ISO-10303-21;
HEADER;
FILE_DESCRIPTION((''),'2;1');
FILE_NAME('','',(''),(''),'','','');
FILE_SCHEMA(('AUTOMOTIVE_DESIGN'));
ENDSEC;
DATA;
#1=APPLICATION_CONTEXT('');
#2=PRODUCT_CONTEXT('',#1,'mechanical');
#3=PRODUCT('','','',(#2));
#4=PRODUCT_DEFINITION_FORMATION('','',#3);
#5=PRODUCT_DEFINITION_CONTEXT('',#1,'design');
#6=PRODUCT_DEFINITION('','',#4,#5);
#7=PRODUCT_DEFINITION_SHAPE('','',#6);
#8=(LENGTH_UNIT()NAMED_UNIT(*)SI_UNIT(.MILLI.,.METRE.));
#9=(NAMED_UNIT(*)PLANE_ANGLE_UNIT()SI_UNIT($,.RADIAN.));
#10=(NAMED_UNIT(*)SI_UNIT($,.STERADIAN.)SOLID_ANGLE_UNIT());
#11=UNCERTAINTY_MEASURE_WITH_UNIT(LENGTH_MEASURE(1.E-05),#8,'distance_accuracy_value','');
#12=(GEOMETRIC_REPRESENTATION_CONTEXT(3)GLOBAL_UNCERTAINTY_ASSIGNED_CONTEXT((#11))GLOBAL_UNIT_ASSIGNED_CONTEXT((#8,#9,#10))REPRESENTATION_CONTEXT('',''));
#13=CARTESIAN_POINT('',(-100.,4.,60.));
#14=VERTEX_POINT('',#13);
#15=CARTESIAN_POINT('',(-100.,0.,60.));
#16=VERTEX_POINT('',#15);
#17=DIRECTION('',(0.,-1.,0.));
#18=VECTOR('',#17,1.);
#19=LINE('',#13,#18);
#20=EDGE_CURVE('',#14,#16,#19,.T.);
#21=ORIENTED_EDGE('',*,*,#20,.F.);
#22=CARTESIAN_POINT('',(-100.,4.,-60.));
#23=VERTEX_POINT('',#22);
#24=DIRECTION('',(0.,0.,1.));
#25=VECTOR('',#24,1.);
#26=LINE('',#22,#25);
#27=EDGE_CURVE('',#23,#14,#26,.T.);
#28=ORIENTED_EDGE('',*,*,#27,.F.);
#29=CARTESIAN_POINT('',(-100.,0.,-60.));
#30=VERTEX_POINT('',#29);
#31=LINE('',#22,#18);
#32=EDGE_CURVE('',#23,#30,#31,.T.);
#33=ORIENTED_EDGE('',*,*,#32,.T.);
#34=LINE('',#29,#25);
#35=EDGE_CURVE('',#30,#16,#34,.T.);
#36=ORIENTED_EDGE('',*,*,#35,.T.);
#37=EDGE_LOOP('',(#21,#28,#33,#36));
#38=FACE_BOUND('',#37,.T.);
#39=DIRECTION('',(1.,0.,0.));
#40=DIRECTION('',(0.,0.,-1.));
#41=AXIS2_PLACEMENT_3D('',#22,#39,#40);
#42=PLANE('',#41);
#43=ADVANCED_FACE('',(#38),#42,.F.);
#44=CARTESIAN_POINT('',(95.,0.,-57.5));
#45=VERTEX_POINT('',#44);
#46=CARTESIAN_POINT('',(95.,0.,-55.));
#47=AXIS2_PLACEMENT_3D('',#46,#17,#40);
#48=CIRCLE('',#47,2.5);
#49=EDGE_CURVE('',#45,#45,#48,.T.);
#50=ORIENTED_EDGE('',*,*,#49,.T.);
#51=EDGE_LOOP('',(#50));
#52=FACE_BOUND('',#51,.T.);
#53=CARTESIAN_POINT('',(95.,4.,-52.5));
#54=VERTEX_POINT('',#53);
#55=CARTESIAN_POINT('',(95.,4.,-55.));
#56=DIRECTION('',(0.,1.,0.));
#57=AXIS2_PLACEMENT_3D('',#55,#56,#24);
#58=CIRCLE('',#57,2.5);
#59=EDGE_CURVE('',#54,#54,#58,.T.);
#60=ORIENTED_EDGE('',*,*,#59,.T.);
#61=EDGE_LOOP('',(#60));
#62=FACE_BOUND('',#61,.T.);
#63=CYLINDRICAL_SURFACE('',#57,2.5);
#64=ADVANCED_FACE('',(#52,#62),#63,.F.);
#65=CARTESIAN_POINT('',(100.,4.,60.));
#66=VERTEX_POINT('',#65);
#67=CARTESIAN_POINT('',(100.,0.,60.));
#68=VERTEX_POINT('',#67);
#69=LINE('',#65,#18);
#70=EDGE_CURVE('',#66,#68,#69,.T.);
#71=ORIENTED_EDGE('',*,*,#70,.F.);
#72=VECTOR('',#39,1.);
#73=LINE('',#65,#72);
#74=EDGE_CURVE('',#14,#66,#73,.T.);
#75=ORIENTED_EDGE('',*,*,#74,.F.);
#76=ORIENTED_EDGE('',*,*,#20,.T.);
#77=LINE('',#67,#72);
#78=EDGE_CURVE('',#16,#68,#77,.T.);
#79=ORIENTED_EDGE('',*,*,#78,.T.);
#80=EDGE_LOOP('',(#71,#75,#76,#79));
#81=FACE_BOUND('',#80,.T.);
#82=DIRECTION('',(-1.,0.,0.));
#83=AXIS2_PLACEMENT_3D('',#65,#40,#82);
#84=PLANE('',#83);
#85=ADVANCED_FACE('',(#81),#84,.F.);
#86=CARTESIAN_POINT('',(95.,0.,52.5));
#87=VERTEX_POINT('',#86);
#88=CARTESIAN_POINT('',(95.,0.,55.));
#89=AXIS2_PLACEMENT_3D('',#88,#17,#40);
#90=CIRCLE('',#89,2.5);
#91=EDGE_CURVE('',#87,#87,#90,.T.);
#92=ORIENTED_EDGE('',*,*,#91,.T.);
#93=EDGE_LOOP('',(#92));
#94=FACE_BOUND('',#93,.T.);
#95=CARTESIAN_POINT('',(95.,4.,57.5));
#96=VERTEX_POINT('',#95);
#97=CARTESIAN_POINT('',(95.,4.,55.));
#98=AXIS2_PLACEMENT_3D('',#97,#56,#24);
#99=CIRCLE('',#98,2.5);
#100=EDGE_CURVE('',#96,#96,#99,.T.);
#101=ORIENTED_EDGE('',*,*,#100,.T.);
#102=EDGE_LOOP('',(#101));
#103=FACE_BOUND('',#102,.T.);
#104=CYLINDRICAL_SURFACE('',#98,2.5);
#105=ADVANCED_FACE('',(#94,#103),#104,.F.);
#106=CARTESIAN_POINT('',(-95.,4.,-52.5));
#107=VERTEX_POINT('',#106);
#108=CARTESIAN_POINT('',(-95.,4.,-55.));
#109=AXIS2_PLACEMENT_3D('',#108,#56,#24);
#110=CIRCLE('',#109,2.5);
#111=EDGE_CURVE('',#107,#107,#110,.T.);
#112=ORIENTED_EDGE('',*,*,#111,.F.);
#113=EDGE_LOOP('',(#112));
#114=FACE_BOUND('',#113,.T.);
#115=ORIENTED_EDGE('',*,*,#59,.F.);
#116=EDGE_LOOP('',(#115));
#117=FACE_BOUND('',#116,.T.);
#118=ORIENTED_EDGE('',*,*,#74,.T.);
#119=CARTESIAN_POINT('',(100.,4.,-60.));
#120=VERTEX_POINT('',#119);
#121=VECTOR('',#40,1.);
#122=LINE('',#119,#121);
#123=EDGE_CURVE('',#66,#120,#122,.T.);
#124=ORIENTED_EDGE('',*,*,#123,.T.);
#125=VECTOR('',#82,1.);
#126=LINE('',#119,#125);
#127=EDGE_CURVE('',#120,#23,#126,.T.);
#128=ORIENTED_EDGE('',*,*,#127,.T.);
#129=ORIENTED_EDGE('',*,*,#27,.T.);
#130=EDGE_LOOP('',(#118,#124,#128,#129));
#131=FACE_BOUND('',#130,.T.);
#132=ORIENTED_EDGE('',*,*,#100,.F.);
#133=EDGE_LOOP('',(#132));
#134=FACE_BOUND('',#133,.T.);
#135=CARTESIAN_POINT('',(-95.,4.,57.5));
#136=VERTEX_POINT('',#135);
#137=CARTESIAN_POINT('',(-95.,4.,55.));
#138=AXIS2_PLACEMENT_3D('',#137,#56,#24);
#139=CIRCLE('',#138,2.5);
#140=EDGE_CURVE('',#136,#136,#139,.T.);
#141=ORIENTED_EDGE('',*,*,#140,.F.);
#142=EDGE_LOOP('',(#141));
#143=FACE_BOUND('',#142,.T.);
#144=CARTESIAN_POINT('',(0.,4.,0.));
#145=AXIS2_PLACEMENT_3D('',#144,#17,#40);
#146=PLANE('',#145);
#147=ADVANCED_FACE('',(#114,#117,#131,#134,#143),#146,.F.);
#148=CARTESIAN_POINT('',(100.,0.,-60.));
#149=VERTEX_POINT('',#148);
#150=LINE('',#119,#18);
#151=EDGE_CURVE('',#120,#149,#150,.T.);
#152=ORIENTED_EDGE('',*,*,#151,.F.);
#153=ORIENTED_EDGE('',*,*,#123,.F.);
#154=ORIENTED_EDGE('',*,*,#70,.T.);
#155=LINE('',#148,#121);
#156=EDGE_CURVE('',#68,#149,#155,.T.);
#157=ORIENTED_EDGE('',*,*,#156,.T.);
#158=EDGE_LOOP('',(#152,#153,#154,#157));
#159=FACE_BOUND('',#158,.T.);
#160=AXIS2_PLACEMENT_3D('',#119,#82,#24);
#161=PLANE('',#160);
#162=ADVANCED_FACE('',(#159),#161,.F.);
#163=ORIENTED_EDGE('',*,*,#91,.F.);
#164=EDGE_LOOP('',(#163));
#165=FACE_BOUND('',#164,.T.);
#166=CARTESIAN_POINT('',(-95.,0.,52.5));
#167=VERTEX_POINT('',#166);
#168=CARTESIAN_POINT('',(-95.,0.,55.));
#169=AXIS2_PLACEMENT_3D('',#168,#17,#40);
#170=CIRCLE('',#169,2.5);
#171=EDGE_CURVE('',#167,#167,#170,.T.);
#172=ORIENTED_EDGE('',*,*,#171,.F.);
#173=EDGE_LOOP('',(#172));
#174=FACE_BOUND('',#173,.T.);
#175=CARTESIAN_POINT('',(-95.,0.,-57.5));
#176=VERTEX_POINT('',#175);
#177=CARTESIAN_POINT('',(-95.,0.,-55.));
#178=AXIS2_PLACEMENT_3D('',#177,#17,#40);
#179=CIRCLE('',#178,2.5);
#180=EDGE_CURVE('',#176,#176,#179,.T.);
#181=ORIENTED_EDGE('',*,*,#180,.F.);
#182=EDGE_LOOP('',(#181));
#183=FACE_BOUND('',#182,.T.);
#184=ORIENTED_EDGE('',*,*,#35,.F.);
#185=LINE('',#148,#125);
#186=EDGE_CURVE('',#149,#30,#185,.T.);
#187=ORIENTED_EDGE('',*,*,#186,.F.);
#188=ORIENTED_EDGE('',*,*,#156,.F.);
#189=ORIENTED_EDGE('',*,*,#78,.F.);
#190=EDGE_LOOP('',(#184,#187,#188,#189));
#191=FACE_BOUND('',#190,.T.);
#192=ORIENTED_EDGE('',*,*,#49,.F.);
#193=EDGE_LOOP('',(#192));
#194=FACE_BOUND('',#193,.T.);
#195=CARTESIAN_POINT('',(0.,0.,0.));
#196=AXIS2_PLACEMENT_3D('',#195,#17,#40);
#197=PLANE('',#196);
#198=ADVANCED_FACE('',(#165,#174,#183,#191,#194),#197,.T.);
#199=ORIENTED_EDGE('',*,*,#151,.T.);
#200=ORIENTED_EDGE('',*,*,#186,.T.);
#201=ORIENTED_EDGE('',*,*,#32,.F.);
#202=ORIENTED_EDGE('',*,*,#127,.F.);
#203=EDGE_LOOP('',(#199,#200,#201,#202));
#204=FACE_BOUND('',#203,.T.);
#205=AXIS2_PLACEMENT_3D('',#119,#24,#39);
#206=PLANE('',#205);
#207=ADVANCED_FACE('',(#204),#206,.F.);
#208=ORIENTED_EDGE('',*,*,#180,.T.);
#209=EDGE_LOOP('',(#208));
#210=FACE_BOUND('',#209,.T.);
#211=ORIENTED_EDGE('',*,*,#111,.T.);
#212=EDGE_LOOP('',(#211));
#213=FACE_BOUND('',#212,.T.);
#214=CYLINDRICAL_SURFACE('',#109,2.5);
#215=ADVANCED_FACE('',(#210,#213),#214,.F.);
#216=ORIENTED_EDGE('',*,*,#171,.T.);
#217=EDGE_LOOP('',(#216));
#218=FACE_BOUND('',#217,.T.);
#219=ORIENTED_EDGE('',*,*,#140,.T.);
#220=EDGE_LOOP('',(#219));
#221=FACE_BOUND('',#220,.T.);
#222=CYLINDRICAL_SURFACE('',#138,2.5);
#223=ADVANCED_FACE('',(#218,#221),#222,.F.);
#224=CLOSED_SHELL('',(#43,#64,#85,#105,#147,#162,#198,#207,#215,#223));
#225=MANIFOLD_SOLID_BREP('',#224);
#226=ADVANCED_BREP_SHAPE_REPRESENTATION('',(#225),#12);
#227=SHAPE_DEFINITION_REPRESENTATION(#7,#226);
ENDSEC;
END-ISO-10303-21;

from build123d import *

# Parameters (mm, degrees)
SKETCH2_W                 = 200
SKETCH2_H                 = 120
BOSS_EXTRUDE1_DEPTH       = 4
F_3_0MM_DOWEL_HOLE1_D     = 5
F_3_0MM_DOWEL_HOLE1_DEPTH = 20
F_3_0MM_DOWEL_HOLE1_TIP   = 1.502151548


with BuildPart() as part:
    # Sketch2 → Boss-Extrude1 (new body)
    with BuildSketch(Plane(origin=(0, 0, 0), x_dir=(1, 0, 0), z_dir=(0, 1, 0))):
        Rectangle(SKETCH2_W, SKETCH2_H)
    extrude(amount=BOSS_EXTRUDE1_DEPTH)

    # Ø3.0mm Dowel Hole1
    with Locations(Plane(origin=(-95, 4, -55), x_dir=(0, 0, 1), z_dir=(0, 1, 0))):
        with Locations((0, 0), (110, 0), (110, 190), (0, 190)):
            Hole(F_3_0MM_DOWEL_HOLE1_D / 2, depth=F_3_0MM_DOWEL_HOLE1_DEPTH)
            with Locations((0, 0, -(F_3_0MM_DOWEL_HOLE1_DEPTH + F_3_0MM_DOWEL_HOLE1_TIP / 2))):  # 118° drill point
                Cone(0, F_3_0MM_DOWEL_HOLE1_D / 2, F_3_0MM_DOWEL_HOLE1_TIP, mode=Mode.SUBTRACT)


solid = part.part
